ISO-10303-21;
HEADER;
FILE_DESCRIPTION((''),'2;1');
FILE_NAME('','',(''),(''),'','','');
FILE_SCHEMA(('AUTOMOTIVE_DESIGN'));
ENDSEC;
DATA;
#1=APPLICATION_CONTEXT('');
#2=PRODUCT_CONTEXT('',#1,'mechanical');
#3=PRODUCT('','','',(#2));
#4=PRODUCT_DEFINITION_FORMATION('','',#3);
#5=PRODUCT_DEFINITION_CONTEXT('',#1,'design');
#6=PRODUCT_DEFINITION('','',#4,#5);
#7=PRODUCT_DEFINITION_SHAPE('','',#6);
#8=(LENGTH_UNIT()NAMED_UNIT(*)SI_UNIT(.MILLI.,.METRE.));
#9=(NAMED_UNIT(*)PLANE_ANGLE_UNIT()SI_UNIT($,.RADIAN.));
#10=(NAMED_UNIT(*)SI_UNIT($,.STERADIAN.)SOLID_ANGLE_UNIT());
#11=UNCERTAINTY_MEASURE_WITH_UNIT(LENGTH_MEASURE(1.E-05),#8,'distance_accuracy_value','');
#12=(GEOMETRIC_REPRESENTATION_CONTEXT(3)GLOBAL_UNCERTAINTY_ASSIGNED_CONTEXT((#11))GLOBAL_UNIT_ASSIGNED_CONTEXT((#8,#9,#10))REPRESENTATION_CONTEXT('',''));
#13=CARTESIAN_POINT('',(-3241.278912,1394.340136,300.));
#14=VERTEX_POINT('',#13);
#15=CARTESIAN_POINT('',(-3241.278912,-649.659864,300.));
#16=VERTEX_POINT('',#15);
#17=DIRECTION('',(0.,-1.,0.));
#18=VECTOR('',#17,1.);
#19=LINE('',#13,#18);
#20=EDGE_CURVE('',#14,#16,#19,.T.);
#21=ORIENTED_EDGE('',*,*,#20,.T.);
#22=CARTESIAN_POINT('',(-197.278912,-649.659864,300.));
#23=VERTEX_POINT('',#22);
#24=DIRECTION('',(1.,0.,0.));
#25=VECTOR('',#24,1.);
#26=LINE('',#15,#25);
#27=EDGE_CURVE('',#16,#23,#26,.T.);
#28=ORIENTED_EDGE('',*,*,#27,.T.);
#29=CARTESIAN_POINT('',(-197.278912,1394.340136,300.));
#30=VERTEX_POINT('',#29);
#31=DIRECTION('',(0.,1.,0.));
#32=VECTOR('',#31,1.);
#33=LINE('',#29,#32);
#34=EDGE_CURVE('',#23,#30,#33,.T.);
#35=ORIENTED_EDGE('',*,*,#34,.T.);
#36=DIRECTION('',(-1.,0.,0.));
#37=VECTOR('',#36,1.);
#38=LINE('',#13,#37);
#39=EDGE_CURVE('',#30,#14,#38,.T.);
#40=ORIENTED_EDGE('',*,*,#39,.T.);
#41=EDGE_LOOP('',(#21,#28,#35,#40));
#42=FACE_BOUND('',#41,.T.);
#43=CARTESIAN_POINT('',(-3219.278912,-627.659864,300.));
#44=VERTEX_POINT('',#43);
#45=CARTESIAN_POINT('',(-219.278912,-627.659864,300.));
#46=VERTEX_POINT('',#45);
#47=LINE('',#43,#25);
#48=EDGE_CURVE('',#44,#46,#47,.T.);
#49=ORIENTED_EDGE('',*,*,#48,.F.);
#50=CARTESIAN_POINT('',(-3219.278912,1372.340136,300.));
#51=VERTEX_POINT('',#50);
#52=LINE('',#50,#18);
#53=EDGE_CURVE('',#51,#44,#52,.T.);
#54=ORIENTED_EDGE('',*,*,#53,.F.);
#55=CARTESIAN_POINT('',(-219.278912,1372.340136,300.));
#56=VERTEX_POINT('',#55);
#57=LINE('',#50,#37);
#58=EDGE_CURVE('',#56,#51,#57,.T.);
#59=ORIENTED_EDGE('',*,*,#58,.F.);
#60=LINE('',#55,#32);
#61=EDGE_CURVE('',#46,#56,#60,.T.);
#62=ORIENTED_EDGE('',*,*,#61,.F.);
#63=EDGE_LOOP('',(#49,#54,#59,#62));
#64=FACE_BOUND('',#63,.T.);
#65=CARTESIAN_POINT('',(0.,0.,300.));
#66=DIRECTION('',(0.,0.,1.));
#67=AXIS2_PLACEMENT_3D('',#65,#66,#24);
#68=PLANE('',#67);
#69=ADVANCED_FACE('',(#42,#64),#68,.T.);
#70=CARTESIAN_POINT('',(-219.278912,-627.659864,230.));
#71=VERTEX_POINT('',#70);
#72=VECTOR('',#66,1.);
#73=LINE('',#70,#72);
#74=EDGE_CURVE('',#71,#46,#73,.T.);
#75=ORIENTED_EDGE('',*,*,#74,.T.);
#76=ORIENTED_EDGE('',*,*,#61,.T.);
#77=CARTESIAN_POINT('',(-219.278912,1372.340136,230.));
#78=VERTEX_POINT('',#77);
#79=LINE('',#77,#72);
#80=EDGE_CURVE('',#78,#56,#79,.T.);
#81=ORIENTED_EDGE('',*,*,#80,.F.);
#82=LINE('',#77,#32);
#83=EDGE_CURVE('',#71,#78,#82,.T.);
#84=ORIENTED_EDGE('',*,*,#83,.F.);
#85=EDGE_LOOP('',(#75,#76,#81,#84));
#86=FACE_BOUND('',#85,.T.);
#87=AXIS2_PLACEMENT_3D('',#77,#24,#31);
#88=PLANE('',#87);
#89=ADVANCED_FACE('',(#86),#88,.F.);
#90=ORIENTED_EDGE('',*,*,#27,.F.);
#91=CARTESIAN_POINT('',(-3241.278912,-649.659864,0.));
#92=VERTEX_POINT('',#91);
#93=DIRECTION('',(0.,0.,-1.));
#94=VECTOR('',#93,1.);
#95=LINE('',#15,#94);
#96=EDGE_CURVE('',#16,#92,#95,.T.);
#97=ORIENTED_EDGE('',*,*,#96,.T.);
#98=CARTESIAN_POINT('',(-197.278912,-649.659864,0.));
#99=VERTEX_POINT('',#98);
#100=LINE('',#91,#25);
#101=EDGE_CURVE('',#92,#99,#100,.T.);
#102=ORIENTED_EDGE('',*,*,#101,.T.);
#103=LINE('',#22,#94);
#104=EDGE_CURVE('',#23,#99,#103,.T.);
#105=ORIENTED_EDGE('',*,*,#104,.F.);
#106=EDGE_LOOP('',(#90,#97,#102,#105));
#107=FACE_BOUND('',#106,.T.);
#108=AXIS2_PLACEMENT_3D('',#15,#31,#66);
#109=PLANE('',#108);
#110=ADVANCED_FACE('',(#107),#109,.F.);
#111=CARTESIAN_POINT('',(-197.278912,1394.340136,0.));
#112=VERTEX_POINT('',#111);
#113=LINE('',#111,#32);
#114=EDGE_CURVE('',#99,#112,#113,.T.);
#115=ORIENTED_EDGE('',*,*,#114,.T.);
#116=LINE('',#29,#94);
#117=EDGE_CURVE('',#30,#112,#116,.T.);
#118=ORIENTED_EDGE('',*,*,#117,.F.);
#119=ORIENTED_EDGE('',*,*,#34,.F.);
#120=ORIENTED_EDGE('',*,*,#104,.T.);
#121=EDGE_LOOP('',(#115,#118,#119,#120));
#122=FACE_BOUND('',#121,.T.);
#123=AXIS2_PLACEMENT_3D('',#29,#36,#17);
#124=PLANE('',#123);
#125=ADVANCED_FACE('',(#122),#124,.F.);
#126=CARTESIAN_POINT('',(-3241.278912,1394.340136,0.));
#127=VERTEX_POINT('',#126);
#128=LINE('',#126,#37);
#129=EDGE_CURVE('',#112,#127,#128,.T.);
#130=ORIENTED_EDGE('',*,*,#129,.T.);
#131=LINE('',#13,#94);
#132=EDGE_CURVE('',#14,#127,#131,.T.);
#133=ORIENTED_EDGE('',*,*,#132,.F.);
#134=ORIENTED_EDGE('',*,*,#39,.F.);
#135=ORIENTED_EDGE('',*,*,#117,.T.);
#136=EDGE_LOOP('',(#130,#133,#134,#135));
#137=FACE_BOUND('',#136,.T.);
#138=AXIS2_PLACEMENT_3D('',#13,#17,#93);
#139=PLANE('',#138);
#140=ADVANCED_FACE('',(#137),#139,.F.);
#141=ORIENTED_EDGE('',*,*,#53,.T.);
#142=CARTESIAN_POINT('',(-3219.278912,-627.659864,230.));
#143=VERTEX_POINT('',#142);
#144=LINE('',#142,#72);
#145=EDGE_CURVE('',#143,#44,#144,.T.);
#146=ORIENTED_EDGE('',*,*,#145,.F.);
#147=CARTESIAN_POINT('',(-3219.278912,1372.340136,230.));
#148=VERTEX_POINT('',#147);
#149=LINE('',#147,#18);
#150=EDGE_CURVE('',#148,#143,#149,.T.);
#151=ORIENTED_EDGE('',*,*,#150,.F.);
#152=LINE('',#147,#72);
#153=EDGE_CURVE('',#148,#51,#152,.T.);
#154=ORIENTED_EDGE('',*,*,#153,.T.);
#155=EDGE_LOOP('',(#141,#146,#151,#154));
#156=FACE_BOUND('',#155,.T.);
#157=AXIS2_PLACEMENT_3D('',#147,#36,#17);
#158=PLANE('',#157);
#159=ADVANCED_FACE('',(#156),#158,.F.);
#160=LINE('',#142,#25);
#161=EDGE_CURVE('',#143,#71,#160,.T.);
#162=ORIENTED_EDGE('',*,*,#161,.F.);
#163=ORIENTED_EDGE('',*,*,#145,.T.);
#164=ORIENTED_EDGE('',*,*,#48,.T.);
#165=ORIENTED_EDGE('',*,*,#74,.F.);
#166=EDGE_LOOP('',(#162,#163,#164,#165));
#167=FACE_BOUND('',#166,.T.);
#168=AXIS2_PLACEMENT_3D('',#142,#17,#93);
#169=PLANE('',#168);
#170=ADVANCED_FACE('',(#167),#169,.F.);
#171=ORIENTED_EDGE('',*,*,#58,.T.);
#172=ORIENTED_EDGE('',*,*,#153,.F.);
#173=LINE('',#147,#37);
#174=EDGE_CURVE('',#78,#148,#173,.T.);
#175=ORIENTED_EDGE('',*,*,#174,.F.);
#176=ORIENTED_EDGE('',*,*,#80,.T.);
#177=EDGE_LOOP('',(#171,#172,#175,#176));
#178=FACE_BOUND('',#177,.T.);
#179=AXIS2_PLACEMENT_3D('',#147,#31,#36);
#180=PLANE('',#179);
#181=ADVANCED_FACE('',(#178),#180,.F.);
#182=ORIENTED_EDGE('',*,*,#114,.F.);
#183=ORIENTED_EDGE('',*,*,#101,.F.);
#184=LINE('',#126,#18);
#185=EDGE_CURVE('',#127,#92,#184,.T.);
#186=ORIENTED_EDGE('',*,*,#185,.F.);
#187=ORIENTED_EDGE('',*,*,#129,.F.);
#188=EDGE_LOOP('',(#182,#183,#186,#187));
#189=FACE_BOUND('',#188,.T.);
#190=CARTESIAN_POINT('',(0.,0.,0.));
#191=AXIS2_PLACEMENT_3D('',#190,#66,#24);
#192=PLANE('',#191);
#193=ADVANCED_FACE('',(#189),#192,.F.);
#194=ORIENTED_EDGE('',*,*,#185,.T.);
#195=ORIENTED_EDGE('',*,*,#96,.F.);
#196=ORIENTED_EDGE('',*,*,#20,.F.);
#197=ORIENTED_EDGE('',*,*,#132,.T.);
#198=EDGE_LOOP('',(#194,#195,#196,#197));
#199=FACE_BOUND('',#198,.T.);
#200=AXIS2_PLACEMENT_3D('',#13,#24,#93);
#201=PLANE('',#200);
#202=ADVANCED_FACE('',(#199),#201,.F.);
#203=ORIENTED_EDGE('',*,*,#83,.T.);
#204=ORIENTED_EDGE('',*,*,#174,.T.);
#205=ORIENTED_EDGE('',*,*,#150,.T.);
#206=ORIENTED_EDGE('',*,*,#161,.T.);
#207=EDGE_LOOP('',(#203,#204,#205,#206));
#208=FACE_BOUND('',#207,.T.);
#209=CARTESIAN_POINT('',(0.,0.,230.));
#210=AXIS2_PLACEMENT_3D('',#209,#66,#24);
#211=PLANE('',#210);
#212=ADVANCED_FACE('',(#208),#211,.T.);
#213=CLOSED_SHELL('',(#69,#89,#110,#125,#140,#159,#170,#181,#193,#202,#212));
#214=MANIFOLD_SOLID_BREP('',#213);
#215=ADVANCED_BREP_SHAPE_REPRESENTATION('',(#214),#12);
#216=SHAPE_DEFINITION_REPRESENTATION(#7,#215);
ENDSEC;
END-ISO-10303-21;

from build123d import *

# Parameters (mm, degrees)
ESQUISSE1_W             = 3044
ESQUISSE1_H             = 2044
BOSS_EXTRU_1_DEPTH      = 300
ESQUISSE2_W             = 3000
ESQUISSE2_H             = 2000
ENL_V_MAT_EXTRU_2_DEPTH = 70


with BuildPart() as part:
    # Esquisse1 → Boss.-Extru.1 (new body)
    with BuildSketch(Plane.XY):
        with Locations((-1719.278911565, 372.340136054)):
            Rectangle(ESQUISSE1_W, ESQUISSE1_H)
    extrude(amount=BOSS_EXTRU_1_DEPTH)

    # Esquisse2 → Enlèv. mat.-Extru.2 (cut)
    with BuildSketch(Plane.XY.offset(300)):
        with Locations((-1719.278911565, 372.340136054)):
            Rectangle(ESQUISSE2_W, ESQUISSE2_H)
    extrude(amount=-ENL_V_MAT_EXTRU_2_DEPTH, mode=Mode.SUBTRACT)


solid = part.part
